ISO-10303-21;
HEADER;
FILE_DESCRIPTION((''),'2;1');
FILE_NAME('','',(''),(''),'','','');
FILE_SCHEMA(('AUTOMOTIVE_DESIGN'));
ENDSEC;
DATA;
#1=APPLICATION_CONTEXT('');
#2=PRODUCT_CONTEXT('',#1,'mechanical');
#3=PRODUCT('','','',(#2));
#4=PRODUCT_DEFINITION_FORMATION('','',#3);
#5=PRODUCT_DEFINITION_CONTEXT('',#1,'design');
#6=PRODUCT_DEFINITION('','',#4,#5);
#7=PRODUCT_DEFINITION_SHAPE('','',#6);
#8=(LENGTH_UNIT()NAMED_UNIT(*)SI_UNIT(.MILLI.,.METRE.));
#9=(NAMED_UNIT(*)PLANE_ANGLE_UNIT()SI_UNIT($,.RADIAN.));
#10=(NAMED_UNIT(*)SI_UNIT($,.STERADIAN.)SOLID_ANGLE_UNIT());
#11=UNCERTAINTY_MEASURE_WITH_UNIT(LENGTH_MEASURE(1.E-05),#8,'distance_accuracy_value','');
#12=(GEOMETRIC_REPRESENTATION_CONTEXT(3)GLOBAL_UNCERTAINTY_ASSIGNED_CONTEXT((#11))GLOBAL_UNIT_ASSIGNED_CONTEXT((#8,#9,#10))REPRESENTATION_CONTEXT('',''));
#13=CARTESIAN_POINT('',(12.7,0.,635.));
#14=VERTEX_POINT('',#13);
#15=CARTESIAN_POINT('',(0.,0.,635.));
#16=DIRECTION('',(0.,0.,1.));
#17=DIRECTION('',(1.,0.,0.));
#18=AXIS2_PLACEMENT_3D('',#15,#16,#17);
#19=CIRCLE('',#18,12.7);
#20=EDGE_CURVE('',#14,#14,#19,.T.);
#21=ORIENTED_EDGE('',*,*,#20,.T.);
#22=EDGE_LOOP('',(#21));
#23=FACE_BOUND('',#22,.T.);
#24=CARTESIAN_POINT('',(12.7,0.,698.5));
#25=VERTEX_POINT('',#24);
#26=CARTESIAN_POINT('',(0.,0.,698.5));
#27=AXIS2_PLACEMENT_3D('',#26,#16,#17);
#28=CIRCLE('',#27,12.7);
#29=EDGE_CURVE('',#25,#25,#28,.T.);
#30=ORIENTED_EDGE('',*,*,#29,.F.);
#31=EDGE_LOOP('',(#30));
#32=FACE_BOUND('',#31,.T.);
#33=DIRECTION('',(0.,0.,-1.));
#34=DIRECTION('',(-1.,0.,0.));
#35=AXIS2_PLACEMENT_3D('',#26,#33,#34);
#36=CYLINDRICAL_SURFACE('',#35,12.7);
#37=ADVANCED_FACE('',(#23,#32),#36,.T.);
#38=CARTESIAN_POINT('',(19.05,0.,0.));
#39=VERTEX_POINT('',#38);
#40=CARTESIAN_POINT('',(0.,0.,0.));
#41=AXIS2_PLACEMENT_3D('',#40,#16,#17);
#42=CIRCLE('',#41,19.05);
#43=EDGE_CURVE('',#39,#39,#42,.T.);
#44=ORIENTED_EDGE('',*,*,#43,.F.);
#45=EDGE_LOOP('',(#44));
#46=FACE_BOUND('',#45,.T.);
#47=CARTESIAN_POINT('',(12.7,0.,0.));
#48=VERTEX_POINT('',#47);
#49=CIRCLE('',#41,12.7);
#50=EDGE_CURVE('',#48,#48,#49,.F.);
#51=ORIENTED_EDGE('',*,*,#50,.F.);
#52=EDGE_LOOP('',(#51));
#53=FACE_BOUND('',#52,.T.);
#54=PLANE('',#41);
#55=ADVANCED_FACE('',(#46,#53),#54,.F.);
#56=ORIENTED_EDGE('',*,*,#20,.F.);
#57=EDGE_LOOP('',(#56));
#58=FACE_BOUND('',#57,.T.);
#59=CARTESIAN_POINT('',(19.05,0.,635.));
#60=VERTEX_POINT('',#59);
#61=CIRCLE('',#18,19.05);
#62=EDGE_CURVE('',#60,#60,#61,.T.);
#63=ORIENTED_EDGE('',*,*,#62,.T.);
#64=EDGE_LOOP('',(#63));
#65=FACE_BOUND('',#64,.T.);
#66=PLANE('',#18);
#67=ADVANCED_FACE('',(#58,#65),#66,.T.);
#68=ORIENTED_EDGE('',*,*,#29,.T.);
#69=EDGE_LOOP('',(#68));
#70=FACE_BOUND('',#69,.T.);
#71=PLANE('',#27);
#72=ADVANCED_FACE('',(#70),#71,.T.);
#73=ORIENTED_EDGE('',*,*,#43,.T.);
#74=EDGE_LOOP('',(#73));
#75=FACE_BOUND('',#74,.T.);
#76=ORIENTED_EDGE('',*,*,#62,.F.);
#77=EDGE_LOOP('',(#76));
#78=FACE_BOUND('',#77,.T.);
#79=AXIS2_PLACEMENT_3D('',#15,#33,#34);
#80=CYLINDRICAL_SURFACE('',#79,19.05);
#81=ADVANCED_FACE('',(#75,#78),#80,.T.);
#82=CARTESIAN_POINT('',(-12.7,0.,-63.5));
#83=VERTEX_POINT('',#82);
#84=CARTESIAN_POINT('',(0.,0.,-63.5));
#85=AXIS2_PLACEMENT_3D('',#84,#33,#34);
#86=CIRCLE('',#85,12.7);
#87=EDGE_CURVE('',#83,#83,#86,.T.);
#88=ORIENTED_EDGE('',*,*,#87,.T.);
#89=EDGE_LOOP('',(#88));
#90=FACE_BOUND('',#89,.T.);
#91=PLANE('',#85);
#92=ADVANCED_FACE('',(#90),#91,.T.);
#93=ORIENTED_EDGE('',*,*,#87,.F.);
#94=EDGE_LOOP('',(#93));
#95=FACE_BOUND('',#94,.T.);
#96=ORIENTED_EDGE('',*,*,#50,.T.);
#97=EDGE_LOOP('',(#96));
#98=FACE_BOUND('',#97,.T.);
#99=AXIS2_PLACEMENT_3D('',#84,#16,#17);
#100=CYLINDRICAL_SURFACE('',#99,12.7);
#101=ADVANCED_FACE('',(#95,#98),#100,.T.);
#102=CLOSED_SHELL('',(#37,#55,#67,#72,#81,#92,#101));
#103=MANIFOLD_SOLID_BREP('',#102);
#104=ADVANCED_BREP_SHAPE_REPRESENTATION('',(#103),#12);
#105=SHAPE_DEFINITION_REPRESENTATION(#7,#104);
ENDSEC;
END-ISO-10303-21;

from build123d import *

# Parameters (mm, degrees)
SKETCH1_R           = 19.05
BOSS_EXTRUDE1_DEPTH = 635
SKETCH2_R           = 12.7
BOSS_EXTRUDE2_DEPTH = 63.5
SKETCH3_R           = 12.7
BOSS_EXTRUDE3_DEPTH = 63.5


with BuildPart() as part:
    # Sketch1 → Boss-Extrude1 (new body)
    with BuildSketch(Plane.XY):
        Circle(SKETCH1_R)
    extrude(amount=BOSS_EXTRUDE1_DEPTH)

    # Sketch2 → Boss-Extrude2 (add)
    with BuildSketch(Plane.XY.offset(635)):
        Circle(SKETCH2_R)
    extrude(amount=BOSS_EXTRUDE2_DEPTH)

    # Sketch3 → Boss-Extrude3 (add)
    with BuildSketch(Plane(origin=(0, 0, 0), x_dir=(-1, 0, 0), z_dir=(0, 0, -1))):
        Circle(SKETCH3_R)
    extrude(amount=BOSS_EXTRUDE3_DEPTH)


solid = part.part
